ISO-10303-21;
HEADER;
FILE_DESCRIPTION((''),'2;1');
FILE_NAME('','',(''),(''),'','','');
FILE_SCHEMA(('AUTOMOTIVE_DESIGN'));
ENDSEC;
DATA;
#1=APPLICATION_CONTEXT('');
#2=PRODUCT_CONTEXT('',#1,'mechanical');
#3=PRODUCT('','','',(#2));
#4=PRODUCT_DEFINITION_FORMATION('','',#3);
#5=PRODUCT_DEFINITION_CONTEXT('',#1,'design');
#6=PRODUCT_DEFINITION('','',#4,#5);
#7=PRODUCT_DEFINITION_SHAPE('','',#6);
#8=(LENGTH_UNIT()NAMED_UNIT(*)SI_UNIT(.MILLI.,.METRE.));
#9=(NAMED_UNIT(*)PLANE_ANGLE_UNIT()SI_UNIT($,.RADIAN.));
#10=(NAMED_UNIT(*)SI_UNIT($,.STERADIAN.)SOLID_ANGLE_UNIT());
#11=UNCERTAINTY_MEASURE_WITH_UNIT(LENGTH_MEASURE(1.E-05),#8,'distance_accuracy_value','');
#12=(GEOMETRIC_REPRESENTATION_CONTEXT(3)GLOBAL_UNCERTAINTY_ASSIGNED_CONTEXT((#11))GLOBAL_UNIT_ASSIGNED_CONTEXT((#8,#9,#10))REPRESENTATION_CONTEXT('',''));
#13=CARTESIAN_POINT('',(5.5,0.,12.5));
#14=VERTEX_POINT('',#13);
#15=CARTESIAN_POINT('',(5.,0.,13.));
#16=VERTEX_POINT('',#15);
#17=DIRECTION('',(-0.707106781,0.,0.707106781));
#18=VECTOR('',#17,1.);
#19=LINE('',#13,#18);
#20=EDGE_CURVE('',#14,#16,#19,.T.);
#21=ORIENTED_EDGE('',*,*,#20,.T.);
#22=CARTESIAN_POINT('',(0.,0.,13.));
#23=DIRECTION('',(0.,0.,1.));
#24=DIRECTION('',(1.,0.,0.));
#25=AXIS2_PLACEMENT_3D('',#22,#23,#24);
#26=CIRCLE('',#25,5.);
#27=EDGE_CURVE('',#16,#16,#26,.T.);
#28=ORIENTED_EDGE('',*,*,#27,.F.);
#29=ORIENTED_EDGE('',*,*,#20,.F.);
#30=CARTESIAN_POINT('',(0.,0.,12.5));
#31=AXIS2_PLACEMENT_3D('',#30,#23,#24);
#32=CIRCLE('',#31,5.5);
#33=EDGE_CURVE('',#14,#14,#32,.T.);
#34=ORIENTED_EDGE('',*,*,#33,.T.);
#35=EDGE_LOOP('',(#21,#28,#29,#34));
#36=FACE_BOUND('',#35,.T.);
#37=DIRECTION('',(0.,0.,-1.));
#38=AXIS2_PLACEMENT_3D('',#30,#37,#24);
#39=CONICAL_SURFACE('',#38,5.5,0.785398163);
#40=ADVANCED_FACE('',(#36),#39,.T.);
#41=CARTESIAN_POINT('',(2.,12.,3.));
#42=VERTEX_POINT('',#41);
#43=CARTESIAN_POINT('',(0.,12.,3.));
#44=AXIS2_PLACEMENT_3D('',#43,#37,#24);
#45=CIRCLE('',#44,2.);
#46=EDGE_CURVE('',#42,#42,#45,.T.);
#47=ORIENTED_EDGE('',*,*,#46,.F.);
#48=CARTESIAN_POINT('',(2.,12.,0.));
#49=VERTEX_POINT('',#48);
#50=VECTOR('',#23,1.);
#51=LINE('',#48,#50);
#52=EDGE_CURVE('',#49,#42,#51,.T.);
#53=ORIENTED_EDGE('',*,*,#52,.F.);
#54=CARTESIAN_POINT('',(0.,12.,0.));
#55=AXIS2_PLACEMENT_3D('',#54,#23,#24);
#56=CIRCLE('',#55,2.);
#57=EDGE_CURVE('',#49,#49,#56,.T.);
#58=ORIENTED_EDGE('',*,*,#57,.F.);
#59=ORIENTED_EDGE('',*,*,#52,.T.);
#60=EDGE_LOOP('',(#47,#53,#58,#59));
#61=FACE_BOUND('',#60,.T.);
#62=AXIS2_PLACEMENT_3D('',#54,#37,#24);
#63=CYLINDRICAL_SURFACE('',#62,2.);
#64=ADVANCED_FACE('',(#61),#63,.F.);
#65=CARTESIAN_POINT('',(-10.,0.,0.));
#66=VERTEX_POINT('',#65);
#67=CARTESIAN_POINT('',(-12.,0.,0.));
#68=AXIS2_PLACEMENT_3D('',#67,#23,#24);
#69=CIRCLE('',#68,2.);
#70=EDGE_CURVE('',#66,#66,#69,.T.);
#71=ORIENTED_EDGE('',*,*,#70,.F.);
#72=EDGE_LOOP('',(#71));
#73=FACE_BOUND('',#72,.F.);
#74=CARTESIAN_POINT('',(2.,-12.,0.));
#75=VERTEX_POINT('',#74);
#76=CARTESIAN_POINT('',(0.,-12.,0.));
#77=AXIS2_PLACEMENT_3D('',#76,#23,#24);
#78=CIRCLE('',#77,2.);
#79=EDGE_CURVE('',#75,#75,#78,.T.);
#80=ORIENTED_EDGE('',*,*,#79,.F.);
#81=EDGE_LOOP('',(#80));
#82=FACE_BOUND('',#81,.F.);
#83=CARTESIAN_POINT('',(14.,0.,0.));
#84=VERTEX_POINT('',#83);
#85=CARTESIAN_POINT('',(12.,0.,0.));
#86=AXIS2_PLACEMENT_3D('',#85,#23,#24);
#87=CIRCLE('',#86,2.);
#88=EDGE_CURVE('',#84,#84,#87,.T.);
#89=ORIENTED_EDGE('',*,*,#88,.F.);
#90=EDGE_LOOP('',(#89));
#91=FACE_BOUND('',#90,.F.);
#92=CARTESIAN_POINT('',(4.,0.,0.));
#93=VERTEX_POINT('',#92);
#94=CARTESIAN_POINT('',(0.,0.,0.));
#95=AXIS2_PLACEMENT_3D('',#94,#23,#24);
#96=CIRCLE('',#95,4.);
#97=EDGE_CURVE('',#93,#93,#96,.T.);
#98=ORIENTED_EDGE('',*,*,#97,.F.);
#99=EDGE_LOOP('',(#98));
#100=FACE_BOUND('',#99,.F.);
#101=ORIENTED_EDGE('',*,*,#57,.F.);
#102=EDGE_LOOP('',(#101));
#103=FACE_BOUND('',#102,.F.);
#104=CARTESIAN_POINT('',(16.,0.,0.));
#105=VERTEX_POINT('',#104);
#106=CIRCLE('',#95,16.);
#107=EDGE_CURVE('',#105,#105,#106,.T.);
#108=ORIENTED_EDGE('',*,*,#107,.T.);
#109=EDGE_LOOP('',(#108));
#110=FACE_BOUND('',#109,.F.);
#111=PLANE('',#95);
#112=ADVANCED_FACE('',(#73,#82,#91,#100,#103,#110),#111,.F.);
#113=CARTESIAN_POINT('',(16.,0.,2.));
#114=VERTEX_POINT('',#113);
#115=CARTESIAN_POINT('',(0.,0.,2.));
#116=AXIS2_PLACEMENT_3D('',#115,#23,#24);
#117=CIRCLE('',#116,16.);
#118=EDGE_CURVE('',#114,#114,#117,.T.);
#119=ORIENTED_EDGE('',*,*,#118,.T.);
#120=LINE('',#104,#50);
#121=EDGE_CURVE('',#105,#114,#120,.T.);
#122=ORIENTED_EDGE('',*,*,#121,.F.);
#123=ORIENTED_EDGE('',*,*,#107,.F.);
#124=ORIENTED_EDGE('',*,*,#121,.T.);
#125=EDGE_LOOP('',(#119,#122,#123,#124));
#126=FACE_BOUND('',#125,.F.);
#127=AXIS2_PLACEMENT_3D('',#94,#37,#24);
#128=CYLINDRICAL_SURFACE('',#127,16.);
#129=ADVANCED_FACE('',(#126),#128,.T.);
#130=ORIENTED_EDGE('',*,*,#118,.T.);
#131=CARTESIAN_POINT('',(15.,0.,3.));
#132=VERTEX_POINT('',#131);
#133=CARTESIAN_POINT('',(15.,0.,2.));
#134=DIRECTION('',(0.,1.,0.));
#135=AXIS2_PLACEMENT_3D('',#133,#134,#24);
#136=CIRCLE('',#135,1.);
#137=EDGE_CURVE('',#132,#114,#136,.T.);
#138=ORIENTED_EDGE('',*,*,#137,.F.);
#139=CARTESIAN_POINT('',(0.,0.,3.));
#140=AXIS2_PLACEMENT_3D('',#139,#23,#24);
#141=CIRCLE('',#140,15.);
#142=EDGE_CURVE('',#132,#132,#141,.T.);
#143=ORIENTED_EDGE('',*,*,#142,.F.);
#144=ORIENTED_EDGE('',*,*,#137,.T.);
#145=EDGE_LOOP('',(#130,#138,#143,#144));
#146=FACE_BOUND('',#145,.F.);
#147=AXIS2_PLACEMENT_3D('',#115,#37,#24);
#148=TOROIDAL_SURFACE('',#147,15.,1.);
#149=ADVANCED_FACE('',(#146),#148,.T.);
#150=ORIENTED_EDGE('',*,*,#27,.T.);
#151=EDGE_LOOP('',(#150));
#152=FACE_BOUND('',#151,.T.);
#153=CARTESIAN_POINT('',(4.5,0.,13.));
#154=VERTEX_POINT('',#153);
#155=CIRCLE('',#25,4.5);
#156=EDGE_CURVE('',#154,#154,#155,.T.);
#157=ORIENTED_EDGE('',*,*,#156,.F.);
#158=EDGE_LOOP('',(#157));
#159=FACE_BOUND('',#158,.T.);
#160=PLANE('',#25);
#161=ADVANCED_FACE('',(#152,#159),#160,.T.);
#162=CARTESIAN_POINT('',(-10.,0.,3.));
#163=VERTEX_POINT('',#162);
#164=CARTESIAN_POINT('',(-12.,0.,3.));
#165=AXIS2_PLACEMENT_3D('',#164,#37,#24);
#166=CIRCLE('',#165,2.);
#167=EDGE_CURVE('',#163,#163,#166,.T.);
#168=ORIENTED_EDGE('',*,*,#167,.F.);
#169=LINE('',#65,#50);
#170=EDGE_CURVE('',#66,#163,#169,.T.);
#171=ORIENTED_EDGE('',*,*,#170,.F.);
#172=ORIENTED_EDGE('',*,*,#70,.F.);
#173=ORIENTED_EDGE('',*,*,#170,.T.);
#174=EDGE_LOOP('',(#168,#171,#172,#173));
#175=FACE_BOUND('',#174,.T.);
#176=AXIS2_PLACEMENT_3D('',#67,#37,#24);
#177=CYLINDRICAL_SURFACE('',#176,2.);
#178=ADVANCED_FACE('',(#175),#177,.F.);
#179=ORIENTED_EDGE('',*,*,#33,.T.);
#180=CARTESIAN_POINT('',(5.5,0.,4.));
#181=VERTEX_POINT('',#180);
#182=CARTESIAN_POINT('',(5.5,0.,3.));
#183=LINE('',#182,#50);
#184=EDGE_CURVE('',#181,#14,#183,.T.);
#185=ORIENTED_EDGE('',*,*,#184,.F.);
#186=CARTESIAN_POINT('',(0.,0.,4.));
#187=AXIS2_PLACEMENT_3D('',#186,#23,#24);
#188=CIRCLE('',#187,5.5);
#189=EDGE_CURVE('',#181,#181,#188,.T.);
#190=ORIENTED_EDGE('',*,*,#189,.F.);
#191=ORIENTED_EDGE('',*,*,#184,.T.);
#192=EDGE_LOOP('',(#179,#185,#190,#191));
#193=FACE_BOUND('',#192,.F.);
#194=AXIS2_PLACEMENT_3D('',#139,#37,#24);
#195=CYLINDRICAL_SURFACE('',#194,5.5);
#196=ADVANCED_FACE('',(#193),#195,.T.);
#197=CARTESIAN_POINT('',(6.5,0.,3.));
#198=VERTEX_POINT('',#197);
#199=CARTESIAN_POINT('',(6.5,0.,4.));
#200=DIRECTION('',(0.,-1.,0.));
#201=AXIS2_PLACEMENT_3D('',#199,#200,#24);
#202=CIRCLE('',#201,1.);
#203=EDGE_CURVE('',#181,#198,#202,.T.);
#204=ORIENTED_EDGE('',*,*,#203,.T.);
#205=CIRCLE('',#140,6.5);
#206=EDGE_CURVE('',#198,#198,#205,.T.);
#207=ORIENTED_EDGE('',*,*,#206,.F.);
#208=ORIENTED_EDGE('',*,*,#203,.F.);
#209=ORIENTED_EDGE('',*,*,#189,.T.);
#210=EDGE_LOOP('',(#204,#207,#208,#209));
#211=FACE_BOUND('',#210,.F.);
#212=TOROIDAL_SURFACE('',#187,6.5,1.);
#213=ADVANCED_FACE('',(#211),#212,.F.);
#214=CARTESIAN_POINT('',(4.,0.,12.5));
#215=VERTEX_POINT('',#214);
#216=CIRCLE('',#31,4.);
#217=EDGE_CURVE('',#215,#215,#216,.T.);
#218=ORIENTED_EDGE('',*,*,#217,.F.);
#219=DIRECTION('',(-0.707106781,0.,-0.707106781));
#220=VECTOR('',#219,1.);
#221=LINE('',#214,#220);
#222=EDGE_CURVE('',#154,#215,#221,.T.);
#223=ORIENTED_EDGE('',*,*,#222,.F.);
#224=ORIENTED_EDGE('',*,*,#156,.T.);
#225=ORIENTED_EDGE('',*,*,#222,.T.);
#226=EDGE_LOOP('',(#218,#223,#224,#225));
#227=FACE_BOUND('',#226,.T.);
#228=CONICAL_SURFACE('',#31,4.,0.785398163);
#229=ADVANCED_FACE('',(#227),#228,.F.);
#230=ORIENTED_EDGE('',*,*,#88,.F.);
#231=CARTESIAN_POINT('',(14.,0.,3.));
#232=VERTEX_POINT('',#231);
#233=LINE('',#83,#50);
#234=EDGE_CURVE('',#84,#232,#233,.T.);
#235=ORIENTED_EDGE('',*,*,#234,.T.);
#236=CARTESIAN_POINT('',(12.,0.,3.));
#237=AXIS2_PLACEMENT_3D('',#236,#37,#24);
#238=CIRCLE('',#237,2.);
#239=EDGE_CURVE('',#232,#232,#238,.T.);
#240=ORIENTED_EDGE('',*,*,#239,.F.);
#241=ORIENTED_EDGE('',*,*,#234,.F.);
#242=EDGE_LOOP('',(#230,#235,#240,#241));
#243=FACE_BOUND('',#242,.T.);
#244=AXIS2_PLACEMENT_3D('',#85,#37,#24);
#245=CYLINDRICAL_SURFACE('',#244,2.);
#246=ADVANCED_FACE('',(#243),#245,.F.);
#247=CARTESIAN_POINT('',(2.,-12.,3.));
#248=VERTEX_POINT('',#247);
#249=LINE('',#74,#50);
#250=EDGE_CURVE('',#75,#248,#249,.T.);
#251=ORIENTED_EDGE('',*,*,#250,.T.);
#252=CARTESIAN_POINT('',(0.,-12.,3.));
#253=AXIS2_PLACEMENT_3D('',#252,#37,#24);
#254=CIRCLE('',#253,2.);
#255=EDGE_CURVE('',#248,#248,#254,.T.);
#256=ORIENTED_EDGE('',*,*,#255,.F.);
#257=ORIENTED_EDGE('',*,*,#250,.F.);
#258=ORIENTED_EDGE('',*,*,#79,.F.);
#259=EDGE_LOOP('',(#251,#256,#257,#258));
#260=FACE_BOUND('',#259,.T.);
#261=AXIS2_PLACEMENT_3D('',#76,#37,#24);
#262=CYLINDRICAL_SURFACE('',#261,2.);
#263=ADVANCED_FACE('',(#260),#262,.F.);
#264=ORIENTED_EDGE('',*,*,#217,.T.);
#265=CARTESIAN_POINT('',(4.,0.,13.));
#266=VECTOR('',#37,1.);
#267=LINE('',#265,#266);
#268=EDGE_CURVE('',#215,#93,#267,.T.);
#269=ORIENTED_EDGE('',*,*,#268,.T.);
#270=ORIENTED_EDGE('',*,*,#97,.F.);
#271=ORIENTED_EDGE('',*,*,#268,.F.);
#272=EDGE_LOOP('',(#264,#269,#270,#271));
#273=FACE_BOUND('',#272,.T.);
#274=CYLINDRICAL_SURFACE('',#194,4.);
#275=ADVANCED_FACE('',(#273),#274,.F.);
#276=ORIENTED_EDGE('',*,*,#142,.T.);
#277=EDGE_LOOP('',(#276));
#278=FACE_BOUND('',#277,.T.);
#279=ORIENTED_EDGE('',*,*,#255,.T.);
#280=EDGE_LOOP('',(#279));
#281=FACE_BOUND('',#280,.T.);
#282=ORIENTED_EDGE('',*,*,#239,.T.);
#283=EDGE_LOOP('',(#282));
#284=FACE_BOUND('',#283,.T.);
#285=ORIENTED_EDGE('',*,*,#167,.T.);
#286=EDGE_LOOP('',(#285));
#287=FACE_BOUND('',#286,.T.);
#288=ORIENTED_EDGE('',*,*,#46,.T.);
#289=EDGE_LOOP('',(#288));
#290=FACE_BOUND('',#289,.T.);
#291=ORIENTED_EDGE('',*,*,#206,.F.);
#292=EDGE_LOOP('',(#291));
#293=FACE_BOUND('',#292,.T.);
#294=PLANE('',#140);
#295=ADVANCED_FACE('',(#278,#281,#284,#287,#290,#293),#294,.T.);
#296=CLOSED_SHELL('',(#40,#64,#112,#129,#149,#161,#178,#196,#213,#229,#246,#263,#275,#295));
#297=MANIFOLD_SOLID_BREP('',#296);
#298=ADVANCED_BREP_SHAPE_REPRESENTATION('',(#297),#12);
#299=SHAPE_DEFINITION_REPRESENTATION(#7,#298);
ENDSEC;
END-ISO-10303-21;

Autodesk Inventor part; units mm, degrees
ref_plane "YZ Plane" through (0, 0, 0) normal (1, 0, 0) x (0, 1, 0)
ref_plane "XZ Plane" through (0, 0, 0) normal (0, 1, 0) x (-1, 0, 0)
ref_plane "XY Plane" through (0, 0, 0) normal (0, 0, 1) x (1, 0, 0)
sketch "Эскиз1" plane through (0, 0, 0) normal (0, 0, 1) x (1, 0, 0)
  circle A0 centre (0, 0) radius 16
  circle A1 centre (0, 0) radius 12
  circle A2 centre (-12, 0) radius 2
  circle A3 centre (0, -12) radius 2
  circle A4 centre (12, 0) radius 2
  circle A5 centre (0, 12) radius 2
  circle A6 centre (0, 0) radius 4
  dimension "d1" = 24
  dimension "d0" = 32
  dimension "d2" = 4
  dimension "d5" = 360
  dimension "d7" = 8
extrude "Выдавливание1" add sketch "Эскиз1" along normal blind 3 contours A0 | A4 A1 A3 A2 A5
sketch "Эскиз2" plane through (0, 0, 3) normal (0, 0, 1) x (1, 0, 0)
  circle A0 centre (0, 0) radius 5.5
  circle A1 centre (0, 0) radius 16 projected
  circle A2 centre (0, 12) radius 2 projected
  circle A3 centre (-12, 0) radius 2 projected
  circle A4 centre (0, -12) radius 2 projected
  circle A5 centre (0, 0) radius 4 projected
  circle A6 centre (12, 0) radius 2 projected
  dimension "d10" = 11
extrude "Выдавливание2" add sketch "Эскиз2" along normal blind 10 contours A0
fillet "Сопряжение1" radius 1 2 edges at (-16, 0, 3) (-5.5, 0, 3)
chamfer "Фаска1" distance 0.5 angle 45 2 edges at (-5.5, 0, 13) (-4, 0, 13)
properties part number "МУФТА НА ВАЛ бол"
